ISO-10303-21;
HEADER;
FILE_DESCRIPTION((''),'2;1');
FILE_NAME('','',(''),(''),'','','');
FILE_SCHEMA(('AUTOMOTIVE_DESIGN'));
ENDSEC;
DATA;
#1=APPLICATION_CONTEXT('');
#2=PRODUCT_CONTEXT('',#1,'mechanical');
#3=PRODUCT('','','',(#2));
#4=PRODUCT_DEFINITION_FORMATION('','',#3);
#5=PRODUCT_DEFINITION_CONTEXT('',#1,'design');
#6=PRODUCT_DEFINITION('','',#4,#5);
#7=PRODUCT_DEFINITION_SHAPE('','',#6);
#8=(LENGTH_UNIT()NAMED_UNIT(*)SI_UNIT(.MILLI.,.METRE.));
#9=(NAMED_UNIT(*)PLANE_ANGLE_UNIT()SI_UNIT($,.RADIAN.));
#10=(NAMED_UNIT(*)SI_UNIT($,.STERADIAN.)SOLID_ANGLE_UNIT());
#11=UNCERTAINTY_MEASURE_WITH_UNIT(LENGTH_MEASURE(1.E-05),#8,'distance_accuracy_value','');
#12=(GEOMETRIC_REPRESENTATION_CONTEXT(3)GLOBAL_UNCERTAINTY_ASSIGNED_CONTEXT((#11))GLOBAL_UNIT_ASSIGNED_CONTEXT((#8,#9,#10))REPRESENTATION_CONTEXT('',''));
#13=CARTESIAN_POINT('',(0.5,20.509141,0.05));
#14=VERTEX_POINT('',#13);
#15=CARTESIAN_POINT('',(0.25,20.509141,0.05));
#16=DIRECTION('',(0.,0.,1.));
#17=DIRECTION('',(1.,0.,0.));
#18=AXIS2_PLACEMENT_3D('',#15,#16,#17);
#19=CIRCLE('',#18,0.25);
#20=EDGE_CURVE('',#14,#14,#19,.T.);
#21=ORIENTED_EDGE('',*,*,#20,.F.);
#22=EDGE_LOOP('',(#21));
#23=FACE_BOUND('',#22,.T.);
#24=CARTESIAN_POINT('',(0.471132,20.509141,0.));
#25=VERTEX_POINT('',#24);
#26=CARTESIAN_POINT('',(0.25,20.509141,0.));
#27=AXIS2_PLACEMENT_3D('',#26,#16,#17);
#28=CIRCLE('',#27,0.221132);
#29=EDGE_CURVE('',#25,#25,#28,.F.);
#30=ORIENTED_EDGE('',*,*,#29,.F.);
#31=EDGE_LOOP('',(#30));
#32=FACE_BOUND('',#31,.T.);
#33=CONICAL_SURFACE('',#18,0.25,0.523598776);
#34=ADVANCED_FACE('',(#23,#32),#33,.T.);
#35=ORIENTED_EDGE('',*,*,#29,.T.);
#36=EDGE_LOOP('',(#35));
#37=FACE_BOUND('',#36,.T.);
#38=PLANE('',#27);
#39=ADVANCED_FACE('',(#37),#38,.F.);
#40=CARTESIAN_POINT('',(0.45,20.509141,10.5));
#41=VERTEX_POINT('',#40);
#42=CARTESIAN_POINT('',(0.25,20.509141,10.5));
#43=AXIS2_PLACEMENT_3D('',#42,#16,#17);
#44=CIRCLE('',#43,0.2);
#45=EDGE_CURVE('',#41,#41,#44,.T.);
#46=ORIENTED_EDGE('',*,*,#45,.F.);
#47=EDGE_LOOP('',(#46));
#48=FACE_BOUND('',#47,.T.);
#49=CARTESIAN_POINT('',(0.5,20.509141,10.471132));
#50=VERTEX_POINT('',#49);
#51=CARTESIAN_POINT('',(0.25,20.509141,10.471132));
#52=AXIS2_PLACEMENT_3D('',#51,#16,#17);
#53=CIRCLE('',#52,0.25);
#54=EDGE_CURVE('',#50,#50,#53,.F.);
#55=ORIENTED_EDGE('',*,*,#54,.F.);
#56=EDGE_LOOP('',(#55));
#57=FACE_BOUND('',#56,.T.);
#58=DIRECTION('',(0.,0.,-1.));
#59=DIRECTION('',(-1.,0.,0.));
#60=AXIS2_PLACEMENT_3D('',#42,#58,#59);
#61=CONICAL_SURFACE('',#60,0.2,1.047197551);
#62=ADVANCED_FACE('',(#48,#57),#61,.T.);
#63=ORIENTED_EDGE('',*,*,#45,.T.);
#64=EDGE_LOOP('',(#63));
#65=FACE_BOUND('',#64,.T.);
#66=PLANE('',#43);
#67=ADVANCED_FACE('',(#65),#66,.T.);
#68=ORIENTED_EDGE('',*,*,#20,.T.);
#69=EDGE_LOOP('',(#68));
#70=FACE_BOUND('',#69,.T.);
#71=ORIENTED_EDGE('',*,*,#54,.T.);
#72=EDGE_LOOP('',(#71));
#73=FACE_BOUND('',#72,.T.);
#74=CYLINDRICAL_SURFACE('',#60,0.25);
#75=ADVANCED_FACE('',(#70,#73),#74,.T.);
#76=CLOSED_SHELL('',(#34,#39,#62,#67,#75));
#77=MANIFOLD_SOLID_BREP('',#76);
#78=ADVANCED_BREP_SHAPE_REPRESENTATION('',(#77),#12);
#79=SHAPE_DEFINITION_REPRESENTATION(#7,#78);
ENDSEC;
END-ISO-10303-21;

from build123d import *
from OCP.BRepFilletAPI import BRepFilletAPI_MakeChamfer

# Parameters (mm, degrees)
ESBO_O1_R                = 0.25
RESSALTO_EXTRUS_O1_DEPTH = 10.5
CHANFRO1_SIZE            = 0.05
CHANFRO1_SIZE2           = 0.028867513


with BuildPart() as part:
    # Esboço1 → Ressalto-extrusão1 (new body)
    with BuildSketch(Plane.XY):
        with Locations((0.25, 20.509140677)):
            Circle(ESBO_O1_R)
    extrude(amount=RESSALTO_EXTRUS_O1_DEPTH)

    # Chanfro1: one chamfer whose edges measure the first distance from different faces: ONE call of the kernel's chamfer builder (chamfer() names one face for all edges)
    chanfro1_edges_1 = [part.edges().sort_by_distance(p)[0] for p in [
        (0, 20.509140677, 0),
    ]]
    chanfro1_side_1 = [part.faces().sort_by_distance(p)[0] for p in [
        (0, 20.509140677, 5.25),
    ]]
    chanfro1_edges_2 = [part.edges().sort_by_distance(p)[0] for p in [
        (0, 20.509140677, 10.5),
    ]]
    chanfro1_side_2 = [part.faces().sort_by_distance(p)[0] for p in [
        (0.25, 20.509140677, 10.5),
    ]]
    chanfro1 = BRepFilletAPI_MakeChamfer(part.part.solid().wrapped)
    for e in chanfro1_edges_1:
        chanfro1.Add(CHANFRO1_SIZE, CHANFRO1_SIZE2, e.wrapped, chanfro1_side_1[0].wrapped)  # the first distance lies on this face
    for e in chanfro1_edges_2:
        chanfro1.Add(CHANFRO1_SIZE, CHANFRO1_SIZE2, e.wrapped, chanfro1_side_2[0].wrapped)  # the first distance lies on this face
    add(Compound.cast(chanfro1.Shape()), mode=Mode.REPLACE)


solid = part.part
